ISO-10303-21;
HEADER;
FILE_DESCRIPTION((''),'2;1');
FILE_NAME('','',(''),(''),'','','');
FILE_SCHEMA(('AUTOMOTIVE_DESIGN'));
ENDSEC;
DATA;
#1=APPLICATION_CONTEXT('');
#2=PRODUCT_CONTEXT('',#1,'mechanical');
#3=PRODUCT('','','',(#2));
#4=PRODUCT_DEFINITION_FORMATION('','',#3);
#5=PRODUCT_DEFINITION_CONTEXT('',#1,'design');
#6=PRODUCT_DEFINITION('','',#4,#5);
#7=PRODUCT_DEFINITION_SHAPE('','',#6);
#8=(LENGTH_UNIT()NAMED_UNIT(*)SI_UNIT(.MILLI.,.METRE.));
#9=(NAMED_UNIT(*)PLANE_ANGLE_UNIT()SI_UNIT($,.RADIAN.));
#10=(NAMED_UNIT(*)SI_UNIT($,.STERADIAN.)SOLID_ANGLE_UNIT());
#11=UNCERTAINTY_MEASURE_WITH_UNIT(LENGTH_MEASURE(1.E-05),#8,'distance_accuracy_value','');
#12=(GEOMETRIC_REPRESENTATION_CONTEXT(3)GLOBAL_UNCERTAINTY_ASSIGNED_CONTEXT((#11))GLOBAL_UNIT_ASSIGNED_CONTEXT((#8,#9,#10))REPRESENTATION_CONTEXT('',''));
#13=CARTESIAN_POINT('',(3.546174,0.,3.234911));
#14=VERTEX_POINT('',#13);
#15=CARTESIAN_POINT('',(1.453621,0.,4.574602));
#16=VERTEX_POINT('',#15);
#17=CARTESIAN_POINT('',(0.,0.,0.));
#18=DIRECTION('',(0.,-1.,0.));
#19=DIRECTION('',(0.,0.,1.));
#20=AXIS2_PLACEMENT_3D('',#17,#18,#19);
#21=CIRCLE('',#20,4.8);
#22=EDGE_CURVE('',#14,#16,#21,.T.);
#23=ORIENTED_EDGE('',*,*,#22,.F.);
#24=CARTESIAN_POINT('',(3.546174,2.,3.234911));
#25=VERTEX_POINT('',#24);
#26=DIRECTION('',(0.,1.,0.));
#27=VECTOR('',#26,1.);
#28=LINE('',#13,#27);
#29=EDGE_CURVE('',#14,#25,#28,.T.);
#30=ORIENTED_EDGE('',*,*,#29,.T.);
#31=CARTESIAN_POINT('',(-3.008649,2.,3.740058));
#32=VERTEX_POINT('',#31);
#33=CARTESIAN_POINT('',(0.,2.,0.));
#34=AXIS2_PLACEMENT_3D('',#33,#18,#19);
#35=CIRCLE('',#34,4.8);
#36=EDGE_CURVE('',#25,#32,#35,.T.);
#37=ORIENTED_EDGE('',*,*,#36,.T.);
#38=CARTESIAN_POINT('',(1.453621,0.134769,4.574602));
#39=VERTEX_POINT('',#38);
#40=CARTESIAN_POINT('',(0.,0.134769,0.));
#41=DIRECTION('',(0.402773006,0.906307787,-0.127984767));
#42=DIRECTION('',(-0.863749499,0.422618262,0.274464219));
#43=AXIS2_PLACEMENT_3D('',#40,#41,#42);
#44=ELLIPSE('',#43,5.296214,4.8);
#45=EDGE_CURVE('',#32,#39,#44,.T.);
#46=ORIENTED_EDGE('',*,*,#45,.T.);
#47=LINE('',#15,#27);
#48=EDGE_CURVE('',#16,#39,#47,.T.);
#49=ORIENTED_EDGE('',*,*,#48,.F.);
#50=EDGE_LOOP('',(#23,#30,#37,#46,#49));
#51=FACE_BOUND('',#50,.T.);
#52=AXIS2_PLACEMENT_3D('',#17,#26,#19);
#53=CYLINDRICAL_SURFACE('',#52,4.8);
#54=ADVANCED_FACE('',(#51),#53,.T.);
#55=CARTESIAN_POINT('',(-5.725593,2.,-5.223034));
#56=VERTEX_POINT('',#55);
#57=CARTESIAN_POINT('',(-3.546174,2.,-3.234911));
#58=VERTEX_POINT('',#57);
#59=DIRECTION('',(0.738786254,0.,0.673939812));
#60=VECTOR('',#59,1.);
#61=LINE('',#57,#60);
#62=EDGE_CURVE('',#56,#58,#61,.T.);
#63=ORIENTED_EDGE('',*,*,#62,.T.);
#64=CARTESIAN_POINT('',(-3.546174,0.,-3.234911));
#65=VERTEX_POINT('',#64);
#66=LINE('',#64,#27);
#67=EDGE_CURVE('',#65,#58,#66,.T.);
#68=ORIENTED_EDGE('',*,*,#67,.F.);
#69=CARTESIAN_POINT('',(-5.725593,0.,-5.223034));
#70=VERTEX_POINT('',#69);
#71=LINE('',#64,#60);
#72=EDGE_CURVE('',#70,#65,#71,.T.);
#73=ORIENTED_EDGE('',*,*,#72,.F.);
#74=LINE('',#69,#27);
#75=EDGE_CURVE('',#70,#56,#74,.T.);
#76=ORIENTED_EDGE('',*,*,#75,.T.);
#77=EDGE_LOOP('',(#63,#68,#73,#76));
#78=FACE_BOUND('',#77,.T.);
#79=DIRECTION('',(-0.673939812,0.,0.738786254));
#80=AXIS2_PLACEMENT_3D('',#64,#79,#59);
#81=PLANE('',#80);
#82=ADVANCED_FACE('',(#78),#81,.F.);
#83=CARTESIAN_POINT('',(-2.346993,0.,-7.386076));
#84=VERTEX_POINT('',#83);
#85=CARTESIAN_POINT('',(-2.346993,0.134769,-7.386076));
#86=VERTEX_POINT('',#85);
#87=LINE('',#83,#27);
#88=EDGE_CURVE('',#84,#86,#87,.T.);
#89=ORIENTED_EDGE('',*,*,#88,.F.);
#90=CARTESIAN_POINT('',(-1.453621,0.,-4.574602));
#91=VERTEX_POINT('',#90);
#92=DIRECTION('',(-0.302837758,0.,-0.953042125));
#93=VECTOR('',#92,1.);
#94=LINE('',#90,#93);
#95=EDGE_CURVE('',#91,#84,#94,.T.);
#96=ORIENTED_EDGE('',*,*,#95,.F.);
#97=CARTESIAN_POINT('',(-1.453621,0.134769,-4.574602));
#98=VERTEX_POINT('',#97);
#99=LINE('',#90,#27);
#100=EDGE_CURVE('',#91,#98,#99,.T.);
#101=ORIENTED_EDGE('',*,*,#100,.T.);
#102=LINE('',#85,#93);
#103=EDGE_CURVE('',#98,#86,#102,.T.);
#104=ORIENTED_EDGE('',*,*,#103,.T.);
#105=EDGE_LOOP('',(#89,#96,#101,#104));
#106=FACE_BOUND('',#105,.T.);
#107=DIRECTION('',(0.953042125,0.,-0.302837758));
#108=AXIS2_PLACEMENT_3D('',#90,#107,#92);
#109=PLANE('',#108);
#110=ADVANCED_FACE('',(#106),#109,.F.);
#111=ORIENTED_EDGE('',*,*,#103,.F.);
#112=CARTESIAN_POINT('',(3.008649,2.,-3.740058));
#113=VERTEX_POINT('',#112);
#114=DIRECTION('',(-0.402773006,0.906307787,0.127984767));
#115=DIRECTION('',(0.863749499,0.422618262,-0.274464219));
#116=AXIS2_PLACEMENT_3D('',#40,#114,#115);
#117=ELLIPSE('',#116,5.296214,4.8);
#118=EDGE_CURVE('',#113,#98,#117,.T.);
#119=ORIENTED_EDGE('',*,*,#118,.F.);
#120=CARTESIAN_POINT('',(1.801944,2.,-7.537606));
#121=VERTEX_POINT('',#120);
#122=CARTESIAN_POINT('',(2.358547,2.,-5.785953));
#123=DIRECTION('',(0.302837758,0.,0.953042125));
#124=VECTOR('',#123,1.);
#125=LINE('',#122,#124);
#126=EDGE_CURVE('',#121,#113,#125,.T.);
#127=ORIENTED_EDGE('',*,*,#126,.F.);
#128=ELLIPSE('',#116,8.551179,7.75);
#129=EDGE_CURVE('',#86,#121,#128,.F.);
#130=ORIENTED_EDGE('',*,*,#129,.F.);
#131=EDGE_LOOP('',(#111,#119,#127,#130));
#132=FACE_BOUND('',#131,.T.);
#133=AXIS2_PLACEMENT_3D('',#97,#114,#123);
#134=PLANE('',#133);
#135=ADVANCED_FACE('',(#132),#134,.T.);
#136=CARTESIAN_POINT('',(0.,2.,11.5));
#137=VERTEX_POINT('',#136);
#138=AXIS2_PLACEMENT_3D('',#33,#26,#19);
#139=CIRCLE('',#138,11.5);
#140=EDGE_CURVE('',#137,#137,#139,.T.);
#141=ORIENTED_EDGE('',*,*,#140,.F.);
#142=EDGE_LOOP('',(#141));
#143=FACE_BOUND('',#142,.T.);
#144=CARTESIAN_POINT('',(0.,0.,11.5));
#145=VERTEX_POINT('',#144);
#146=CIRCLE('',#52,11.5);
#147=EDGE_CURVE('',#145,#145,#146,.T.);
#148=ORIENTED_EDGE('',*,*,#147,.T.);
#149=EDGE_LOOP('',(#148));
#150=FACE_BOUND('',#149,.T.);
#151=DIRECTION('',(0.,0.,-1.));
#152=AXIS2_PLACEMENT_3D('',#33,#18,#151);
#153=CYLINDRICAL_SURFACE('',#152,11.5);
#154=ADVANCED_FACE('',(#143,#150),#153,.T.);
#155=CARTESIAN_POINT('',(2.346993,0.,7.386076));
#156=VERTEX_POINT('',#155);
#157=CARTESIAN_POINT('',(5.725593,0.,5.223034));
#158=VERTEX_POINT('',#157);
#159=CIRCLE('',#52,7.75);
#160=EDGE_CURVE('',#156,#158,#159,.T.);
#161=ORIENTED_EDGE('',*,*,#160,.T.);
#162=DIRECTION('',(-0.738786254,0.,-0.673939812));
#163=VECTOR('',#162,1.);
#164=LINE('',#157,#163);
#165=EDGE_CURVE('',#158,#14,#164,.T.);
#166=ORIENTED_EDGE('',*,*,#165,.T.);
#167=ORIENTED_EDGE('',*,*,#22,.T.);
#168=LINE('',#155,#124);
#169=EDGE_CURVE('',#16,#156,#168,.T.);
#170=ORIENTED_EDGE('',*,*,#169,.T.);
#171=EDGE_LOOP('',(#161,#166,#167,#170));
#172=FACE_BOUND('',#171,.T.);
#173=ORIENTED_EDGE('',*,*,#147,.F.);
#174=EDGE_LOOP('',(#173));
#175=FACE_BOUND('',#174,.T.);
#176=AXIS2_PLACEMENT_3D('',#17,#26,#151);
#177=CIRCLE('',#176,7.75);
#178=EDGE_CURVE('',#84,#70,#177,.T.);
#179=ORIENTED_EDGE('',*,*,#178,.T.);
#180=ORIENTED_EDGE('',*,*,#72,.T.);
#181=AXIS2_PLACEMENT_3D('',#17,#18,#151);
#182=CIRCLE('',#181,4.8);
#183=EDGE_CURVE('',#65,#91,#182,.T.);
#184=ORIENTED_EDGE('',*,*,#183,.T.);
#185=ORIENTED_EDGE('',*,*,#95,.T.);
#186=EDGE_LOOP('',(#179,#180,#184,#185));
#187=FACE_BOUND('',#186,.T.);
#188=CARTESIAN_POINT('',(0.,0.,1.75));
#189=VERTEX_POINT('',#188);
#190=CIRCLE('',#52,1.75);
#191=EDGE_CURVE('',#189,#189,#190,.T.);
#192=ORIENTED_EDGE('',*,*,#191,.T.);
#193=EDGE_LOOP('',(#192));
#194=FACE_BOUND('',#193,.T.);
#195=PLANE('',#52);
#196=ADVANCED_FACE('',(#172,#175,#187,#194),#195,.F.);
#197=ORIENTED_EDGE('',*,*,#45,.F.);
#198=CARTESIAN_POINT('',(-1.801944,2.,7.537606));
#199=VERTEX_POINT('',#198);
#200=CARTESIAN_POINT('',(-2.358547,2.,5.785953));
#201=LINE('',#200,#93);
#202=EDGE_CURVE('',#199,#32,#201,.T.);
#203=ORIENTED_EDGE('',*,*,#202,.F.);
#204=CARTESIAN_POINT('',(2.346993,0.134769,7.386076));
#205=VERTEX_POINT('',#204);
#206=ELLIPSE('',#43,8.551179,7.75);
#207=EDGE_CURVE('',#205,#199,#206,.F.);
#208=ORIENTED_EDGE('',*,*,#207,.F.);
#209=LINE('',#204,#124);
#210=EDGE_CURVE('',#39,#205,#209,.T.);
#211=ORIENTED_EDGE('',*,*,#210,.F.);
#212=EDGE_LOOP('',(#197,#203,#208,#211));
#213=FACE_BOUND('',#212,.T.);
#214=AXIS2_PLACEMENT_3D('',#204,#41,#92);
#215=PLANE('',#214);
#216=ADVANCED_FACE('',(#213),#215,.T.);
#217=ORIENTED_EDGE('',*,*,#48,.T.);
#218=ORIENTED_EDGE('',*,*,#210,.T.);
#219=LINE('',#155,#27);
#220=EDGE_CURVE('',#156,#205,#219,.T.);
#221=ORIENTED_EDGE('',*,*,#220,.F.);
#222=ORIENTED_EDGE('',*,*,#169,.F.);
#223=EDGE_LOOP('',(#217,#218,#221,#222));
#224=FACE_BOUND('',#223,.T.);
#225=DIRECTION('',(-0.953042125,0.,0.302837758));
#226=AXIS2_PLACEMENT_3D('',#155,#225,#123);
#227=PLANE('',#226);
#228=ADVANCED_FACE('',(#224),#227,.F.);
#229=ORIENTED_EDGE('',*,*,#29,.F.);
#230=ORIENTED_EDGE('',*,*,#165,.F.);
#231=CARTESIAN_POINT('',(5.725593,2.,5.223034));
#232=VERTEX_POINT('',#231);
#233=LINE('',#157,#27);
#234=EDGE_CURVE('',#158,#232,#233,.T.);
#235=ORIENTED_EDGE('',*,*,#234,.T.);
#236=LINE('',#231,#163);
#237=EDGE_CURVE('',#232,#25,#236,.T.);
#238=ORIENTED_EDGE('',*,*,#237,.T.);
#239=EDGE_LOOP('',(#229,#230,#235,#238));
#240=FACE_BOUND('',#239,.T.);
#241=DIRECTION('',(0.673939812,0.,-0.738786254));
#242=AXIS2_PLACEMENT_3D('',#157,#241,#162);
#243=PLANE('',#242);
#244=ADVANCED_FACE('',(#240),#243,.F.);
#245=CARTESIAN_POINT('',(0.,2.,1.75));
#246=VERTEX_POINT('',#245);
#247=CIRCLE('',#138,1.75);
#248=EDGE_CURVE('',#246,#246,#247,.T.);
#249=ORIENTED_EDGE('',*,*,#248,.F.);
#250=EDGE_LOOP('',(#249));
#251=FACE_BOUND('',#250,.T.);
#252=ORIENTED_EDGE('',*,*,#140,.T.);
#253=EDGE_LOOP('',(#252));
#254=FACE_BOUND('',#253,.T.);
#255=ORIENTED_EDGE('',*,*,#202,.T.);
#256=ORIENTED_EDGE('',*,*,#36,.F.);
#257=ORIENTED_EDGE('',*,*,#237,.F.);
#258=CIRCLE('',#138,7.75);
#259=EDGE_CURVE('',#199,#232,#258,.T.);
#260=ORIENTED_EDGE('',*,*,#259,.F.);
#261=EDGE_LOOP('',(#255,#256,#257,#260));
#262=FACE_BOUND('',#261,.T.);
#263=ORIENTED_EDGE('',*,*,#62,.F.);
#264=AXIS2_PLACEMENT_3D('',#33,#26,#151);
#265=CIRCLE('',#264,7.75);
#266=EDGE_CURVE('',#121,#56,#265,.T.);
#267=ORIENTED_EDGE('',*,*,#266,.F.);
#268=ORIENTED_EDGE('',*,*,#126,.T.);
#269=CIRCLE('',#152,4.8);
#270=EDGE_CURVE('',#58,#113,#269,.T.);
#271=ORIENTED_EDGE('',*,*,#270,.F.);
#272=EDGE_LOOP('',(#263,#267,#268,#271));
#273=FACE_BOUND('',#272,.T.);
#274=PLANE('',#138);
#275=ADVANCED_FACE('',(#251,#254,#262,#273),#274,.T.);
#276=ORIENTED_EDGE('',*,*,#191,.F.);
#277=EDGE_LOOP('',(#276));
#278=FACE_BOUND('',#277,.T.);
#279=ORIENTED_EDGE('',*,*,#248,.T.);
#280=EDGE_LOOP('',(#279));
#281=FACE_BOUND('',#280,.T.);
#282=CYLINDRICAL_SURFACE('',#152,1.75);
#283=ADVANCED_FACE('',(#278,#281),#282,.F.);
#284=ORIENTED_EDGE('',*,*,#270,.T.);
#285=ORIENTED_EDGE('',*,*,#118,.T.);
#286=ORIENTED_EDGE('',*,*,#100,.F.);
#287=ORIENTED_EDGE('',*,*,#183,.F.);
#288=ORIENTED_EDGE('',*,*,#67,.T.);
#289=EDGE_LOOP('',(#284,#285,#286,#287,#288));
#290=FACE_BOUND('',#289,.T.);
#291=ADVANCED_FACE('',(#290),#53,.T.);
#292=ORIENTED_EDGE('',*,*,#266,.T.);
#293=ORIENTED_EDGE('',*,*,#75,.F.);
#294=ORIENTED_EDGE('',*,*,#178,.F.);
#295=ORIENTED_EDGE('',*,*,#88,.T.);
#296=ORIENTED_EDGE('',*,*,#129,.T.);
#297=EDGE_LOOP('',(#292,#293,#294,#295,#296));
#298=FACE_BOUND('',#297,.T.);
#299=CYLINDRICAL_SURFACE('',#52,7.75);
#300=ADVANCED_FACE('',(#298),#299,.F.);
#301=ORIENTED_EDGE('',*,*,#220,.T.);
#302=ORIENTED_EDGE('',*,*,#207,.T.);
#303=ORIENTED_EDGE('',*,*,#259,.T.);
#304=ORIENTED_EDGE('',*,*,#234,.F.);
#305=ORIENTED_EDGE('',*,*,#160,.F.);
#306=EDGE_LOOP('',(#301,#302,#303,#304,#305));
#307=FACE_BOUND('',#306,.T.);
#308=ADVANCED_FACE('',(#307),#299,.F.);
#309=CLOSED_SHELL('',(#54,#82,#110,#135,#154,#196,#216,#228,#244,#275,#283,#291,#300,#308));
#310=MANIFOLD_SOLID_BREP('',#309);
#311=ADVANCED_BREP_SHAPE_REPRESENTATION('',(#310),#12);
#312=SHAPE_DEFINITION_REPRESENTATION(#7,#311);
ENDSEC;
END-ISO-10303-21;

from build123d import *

# Parameters (mm, degrees)
SKETCH1_R           = 11.5
SKETCH1_R_2         = 1.75
BOSS_EXTRUDE1_DEPTH = 2
CUT_EXTRUDE1_DEPTH  = 2
CHAMFER1_SIZE       = 4
CHAMFER1_SIZE2      = 1.865230633
CHAMFER2_SIZE       = 4
CHAMFER2_SIZE2      = 1.865230633


with BuildPart() as part:
    # Sketch1 → Boss-Extrude1 (new body)
    with BuildSketch(Plane(origin=(0, 0, 0), x_dir=(1, 0, 0), z_dir=(0, 1, 0))):
        with Locations(Location((0, 0, 0), (0, 0, 270))):
            Circle(SKETCH1_R)
        with Locations(Location((0, 0, 0), (0, 0, 270))):
            Circle(SKETCH1_R_2, mode=Mode.SUBTRACT)
    extrude(amount=BOSS_EXTRUDE1_DEPTH)

    # Sketch2 → Cut-Extrude1 (cut)
    with BuildSketch(Plane(origin=(0, 2, 0), x_dir=(1, 0, 0), z_dir=(0, 1, 0))):
        with BuildLine():
            Line((-1.45362124, 4.5746022), (-2.346992627, 7.386076469))
            ThreePointArc((-2.346992627, 7.386076469), (-4.178678051, 6.526955626), (-5.725593472, 5.223033543))
            Line((-5.725593472, 5.223033543), (-3.546174021, 3.234911098))
            ThreePointArc((-3.546174021, 3.234911098), (-2.58808447, 4.042501549), (-1.45362124, 4.5746022))
        make_face()
        with BuildLine():
            Line((5.725593472, -5.223033543), (3.546174021, -3.234911098))
            ThreePointArc((3.546174021, -3.234911098), (2.58808447, -4.042501549), (1.45362124, -4.5746022))
            Line((1.45362124, -4.5746022), (2.346992627, -7.386076469))
            ThreePointArc((2.346992627, -7.386076469), (4.178678051, -6.526955626), (5.725593472, -5.223033543))
        make_face()
    extrude(amount=-CUT_EXTRUDE1_DEPTH, mode=Mode.SUBTRACT)

    # Chamfer1
    chamfer1_edges = [part.edges().sort_by_distance(p)[0] for p in [
        (-1.900306933, 2, -5.980339335),
    ]]
    chamfer1_side = [part.faces().sort_by_distance(p)[0] for p in [
        (0, 2, -11.174730881),
    ]]
    chamfer(chamfer1_edges, length=CHAMFER1_SIZE, length2=CHAMFER1_SIZE2, reference=chamfer1_side[0])

    # Chamfer2
    chamfer2_edges = [part.edges().sort_by_distance(p)[0] for p in [
        (1.900306933, 2, 5.980339335),
    ]]
    chamfer2_side = [part.faces().sort_by_distance(p)[0] for p in [
        (-0.343824977, 2, -4.461502083),
    ]]
    chamfer(chamfer2_edges, length=CHAMFER2_SIZE, length2=CHAMFER2_SIZE2, reference=chamfer2_side[0])


solid = part.part
